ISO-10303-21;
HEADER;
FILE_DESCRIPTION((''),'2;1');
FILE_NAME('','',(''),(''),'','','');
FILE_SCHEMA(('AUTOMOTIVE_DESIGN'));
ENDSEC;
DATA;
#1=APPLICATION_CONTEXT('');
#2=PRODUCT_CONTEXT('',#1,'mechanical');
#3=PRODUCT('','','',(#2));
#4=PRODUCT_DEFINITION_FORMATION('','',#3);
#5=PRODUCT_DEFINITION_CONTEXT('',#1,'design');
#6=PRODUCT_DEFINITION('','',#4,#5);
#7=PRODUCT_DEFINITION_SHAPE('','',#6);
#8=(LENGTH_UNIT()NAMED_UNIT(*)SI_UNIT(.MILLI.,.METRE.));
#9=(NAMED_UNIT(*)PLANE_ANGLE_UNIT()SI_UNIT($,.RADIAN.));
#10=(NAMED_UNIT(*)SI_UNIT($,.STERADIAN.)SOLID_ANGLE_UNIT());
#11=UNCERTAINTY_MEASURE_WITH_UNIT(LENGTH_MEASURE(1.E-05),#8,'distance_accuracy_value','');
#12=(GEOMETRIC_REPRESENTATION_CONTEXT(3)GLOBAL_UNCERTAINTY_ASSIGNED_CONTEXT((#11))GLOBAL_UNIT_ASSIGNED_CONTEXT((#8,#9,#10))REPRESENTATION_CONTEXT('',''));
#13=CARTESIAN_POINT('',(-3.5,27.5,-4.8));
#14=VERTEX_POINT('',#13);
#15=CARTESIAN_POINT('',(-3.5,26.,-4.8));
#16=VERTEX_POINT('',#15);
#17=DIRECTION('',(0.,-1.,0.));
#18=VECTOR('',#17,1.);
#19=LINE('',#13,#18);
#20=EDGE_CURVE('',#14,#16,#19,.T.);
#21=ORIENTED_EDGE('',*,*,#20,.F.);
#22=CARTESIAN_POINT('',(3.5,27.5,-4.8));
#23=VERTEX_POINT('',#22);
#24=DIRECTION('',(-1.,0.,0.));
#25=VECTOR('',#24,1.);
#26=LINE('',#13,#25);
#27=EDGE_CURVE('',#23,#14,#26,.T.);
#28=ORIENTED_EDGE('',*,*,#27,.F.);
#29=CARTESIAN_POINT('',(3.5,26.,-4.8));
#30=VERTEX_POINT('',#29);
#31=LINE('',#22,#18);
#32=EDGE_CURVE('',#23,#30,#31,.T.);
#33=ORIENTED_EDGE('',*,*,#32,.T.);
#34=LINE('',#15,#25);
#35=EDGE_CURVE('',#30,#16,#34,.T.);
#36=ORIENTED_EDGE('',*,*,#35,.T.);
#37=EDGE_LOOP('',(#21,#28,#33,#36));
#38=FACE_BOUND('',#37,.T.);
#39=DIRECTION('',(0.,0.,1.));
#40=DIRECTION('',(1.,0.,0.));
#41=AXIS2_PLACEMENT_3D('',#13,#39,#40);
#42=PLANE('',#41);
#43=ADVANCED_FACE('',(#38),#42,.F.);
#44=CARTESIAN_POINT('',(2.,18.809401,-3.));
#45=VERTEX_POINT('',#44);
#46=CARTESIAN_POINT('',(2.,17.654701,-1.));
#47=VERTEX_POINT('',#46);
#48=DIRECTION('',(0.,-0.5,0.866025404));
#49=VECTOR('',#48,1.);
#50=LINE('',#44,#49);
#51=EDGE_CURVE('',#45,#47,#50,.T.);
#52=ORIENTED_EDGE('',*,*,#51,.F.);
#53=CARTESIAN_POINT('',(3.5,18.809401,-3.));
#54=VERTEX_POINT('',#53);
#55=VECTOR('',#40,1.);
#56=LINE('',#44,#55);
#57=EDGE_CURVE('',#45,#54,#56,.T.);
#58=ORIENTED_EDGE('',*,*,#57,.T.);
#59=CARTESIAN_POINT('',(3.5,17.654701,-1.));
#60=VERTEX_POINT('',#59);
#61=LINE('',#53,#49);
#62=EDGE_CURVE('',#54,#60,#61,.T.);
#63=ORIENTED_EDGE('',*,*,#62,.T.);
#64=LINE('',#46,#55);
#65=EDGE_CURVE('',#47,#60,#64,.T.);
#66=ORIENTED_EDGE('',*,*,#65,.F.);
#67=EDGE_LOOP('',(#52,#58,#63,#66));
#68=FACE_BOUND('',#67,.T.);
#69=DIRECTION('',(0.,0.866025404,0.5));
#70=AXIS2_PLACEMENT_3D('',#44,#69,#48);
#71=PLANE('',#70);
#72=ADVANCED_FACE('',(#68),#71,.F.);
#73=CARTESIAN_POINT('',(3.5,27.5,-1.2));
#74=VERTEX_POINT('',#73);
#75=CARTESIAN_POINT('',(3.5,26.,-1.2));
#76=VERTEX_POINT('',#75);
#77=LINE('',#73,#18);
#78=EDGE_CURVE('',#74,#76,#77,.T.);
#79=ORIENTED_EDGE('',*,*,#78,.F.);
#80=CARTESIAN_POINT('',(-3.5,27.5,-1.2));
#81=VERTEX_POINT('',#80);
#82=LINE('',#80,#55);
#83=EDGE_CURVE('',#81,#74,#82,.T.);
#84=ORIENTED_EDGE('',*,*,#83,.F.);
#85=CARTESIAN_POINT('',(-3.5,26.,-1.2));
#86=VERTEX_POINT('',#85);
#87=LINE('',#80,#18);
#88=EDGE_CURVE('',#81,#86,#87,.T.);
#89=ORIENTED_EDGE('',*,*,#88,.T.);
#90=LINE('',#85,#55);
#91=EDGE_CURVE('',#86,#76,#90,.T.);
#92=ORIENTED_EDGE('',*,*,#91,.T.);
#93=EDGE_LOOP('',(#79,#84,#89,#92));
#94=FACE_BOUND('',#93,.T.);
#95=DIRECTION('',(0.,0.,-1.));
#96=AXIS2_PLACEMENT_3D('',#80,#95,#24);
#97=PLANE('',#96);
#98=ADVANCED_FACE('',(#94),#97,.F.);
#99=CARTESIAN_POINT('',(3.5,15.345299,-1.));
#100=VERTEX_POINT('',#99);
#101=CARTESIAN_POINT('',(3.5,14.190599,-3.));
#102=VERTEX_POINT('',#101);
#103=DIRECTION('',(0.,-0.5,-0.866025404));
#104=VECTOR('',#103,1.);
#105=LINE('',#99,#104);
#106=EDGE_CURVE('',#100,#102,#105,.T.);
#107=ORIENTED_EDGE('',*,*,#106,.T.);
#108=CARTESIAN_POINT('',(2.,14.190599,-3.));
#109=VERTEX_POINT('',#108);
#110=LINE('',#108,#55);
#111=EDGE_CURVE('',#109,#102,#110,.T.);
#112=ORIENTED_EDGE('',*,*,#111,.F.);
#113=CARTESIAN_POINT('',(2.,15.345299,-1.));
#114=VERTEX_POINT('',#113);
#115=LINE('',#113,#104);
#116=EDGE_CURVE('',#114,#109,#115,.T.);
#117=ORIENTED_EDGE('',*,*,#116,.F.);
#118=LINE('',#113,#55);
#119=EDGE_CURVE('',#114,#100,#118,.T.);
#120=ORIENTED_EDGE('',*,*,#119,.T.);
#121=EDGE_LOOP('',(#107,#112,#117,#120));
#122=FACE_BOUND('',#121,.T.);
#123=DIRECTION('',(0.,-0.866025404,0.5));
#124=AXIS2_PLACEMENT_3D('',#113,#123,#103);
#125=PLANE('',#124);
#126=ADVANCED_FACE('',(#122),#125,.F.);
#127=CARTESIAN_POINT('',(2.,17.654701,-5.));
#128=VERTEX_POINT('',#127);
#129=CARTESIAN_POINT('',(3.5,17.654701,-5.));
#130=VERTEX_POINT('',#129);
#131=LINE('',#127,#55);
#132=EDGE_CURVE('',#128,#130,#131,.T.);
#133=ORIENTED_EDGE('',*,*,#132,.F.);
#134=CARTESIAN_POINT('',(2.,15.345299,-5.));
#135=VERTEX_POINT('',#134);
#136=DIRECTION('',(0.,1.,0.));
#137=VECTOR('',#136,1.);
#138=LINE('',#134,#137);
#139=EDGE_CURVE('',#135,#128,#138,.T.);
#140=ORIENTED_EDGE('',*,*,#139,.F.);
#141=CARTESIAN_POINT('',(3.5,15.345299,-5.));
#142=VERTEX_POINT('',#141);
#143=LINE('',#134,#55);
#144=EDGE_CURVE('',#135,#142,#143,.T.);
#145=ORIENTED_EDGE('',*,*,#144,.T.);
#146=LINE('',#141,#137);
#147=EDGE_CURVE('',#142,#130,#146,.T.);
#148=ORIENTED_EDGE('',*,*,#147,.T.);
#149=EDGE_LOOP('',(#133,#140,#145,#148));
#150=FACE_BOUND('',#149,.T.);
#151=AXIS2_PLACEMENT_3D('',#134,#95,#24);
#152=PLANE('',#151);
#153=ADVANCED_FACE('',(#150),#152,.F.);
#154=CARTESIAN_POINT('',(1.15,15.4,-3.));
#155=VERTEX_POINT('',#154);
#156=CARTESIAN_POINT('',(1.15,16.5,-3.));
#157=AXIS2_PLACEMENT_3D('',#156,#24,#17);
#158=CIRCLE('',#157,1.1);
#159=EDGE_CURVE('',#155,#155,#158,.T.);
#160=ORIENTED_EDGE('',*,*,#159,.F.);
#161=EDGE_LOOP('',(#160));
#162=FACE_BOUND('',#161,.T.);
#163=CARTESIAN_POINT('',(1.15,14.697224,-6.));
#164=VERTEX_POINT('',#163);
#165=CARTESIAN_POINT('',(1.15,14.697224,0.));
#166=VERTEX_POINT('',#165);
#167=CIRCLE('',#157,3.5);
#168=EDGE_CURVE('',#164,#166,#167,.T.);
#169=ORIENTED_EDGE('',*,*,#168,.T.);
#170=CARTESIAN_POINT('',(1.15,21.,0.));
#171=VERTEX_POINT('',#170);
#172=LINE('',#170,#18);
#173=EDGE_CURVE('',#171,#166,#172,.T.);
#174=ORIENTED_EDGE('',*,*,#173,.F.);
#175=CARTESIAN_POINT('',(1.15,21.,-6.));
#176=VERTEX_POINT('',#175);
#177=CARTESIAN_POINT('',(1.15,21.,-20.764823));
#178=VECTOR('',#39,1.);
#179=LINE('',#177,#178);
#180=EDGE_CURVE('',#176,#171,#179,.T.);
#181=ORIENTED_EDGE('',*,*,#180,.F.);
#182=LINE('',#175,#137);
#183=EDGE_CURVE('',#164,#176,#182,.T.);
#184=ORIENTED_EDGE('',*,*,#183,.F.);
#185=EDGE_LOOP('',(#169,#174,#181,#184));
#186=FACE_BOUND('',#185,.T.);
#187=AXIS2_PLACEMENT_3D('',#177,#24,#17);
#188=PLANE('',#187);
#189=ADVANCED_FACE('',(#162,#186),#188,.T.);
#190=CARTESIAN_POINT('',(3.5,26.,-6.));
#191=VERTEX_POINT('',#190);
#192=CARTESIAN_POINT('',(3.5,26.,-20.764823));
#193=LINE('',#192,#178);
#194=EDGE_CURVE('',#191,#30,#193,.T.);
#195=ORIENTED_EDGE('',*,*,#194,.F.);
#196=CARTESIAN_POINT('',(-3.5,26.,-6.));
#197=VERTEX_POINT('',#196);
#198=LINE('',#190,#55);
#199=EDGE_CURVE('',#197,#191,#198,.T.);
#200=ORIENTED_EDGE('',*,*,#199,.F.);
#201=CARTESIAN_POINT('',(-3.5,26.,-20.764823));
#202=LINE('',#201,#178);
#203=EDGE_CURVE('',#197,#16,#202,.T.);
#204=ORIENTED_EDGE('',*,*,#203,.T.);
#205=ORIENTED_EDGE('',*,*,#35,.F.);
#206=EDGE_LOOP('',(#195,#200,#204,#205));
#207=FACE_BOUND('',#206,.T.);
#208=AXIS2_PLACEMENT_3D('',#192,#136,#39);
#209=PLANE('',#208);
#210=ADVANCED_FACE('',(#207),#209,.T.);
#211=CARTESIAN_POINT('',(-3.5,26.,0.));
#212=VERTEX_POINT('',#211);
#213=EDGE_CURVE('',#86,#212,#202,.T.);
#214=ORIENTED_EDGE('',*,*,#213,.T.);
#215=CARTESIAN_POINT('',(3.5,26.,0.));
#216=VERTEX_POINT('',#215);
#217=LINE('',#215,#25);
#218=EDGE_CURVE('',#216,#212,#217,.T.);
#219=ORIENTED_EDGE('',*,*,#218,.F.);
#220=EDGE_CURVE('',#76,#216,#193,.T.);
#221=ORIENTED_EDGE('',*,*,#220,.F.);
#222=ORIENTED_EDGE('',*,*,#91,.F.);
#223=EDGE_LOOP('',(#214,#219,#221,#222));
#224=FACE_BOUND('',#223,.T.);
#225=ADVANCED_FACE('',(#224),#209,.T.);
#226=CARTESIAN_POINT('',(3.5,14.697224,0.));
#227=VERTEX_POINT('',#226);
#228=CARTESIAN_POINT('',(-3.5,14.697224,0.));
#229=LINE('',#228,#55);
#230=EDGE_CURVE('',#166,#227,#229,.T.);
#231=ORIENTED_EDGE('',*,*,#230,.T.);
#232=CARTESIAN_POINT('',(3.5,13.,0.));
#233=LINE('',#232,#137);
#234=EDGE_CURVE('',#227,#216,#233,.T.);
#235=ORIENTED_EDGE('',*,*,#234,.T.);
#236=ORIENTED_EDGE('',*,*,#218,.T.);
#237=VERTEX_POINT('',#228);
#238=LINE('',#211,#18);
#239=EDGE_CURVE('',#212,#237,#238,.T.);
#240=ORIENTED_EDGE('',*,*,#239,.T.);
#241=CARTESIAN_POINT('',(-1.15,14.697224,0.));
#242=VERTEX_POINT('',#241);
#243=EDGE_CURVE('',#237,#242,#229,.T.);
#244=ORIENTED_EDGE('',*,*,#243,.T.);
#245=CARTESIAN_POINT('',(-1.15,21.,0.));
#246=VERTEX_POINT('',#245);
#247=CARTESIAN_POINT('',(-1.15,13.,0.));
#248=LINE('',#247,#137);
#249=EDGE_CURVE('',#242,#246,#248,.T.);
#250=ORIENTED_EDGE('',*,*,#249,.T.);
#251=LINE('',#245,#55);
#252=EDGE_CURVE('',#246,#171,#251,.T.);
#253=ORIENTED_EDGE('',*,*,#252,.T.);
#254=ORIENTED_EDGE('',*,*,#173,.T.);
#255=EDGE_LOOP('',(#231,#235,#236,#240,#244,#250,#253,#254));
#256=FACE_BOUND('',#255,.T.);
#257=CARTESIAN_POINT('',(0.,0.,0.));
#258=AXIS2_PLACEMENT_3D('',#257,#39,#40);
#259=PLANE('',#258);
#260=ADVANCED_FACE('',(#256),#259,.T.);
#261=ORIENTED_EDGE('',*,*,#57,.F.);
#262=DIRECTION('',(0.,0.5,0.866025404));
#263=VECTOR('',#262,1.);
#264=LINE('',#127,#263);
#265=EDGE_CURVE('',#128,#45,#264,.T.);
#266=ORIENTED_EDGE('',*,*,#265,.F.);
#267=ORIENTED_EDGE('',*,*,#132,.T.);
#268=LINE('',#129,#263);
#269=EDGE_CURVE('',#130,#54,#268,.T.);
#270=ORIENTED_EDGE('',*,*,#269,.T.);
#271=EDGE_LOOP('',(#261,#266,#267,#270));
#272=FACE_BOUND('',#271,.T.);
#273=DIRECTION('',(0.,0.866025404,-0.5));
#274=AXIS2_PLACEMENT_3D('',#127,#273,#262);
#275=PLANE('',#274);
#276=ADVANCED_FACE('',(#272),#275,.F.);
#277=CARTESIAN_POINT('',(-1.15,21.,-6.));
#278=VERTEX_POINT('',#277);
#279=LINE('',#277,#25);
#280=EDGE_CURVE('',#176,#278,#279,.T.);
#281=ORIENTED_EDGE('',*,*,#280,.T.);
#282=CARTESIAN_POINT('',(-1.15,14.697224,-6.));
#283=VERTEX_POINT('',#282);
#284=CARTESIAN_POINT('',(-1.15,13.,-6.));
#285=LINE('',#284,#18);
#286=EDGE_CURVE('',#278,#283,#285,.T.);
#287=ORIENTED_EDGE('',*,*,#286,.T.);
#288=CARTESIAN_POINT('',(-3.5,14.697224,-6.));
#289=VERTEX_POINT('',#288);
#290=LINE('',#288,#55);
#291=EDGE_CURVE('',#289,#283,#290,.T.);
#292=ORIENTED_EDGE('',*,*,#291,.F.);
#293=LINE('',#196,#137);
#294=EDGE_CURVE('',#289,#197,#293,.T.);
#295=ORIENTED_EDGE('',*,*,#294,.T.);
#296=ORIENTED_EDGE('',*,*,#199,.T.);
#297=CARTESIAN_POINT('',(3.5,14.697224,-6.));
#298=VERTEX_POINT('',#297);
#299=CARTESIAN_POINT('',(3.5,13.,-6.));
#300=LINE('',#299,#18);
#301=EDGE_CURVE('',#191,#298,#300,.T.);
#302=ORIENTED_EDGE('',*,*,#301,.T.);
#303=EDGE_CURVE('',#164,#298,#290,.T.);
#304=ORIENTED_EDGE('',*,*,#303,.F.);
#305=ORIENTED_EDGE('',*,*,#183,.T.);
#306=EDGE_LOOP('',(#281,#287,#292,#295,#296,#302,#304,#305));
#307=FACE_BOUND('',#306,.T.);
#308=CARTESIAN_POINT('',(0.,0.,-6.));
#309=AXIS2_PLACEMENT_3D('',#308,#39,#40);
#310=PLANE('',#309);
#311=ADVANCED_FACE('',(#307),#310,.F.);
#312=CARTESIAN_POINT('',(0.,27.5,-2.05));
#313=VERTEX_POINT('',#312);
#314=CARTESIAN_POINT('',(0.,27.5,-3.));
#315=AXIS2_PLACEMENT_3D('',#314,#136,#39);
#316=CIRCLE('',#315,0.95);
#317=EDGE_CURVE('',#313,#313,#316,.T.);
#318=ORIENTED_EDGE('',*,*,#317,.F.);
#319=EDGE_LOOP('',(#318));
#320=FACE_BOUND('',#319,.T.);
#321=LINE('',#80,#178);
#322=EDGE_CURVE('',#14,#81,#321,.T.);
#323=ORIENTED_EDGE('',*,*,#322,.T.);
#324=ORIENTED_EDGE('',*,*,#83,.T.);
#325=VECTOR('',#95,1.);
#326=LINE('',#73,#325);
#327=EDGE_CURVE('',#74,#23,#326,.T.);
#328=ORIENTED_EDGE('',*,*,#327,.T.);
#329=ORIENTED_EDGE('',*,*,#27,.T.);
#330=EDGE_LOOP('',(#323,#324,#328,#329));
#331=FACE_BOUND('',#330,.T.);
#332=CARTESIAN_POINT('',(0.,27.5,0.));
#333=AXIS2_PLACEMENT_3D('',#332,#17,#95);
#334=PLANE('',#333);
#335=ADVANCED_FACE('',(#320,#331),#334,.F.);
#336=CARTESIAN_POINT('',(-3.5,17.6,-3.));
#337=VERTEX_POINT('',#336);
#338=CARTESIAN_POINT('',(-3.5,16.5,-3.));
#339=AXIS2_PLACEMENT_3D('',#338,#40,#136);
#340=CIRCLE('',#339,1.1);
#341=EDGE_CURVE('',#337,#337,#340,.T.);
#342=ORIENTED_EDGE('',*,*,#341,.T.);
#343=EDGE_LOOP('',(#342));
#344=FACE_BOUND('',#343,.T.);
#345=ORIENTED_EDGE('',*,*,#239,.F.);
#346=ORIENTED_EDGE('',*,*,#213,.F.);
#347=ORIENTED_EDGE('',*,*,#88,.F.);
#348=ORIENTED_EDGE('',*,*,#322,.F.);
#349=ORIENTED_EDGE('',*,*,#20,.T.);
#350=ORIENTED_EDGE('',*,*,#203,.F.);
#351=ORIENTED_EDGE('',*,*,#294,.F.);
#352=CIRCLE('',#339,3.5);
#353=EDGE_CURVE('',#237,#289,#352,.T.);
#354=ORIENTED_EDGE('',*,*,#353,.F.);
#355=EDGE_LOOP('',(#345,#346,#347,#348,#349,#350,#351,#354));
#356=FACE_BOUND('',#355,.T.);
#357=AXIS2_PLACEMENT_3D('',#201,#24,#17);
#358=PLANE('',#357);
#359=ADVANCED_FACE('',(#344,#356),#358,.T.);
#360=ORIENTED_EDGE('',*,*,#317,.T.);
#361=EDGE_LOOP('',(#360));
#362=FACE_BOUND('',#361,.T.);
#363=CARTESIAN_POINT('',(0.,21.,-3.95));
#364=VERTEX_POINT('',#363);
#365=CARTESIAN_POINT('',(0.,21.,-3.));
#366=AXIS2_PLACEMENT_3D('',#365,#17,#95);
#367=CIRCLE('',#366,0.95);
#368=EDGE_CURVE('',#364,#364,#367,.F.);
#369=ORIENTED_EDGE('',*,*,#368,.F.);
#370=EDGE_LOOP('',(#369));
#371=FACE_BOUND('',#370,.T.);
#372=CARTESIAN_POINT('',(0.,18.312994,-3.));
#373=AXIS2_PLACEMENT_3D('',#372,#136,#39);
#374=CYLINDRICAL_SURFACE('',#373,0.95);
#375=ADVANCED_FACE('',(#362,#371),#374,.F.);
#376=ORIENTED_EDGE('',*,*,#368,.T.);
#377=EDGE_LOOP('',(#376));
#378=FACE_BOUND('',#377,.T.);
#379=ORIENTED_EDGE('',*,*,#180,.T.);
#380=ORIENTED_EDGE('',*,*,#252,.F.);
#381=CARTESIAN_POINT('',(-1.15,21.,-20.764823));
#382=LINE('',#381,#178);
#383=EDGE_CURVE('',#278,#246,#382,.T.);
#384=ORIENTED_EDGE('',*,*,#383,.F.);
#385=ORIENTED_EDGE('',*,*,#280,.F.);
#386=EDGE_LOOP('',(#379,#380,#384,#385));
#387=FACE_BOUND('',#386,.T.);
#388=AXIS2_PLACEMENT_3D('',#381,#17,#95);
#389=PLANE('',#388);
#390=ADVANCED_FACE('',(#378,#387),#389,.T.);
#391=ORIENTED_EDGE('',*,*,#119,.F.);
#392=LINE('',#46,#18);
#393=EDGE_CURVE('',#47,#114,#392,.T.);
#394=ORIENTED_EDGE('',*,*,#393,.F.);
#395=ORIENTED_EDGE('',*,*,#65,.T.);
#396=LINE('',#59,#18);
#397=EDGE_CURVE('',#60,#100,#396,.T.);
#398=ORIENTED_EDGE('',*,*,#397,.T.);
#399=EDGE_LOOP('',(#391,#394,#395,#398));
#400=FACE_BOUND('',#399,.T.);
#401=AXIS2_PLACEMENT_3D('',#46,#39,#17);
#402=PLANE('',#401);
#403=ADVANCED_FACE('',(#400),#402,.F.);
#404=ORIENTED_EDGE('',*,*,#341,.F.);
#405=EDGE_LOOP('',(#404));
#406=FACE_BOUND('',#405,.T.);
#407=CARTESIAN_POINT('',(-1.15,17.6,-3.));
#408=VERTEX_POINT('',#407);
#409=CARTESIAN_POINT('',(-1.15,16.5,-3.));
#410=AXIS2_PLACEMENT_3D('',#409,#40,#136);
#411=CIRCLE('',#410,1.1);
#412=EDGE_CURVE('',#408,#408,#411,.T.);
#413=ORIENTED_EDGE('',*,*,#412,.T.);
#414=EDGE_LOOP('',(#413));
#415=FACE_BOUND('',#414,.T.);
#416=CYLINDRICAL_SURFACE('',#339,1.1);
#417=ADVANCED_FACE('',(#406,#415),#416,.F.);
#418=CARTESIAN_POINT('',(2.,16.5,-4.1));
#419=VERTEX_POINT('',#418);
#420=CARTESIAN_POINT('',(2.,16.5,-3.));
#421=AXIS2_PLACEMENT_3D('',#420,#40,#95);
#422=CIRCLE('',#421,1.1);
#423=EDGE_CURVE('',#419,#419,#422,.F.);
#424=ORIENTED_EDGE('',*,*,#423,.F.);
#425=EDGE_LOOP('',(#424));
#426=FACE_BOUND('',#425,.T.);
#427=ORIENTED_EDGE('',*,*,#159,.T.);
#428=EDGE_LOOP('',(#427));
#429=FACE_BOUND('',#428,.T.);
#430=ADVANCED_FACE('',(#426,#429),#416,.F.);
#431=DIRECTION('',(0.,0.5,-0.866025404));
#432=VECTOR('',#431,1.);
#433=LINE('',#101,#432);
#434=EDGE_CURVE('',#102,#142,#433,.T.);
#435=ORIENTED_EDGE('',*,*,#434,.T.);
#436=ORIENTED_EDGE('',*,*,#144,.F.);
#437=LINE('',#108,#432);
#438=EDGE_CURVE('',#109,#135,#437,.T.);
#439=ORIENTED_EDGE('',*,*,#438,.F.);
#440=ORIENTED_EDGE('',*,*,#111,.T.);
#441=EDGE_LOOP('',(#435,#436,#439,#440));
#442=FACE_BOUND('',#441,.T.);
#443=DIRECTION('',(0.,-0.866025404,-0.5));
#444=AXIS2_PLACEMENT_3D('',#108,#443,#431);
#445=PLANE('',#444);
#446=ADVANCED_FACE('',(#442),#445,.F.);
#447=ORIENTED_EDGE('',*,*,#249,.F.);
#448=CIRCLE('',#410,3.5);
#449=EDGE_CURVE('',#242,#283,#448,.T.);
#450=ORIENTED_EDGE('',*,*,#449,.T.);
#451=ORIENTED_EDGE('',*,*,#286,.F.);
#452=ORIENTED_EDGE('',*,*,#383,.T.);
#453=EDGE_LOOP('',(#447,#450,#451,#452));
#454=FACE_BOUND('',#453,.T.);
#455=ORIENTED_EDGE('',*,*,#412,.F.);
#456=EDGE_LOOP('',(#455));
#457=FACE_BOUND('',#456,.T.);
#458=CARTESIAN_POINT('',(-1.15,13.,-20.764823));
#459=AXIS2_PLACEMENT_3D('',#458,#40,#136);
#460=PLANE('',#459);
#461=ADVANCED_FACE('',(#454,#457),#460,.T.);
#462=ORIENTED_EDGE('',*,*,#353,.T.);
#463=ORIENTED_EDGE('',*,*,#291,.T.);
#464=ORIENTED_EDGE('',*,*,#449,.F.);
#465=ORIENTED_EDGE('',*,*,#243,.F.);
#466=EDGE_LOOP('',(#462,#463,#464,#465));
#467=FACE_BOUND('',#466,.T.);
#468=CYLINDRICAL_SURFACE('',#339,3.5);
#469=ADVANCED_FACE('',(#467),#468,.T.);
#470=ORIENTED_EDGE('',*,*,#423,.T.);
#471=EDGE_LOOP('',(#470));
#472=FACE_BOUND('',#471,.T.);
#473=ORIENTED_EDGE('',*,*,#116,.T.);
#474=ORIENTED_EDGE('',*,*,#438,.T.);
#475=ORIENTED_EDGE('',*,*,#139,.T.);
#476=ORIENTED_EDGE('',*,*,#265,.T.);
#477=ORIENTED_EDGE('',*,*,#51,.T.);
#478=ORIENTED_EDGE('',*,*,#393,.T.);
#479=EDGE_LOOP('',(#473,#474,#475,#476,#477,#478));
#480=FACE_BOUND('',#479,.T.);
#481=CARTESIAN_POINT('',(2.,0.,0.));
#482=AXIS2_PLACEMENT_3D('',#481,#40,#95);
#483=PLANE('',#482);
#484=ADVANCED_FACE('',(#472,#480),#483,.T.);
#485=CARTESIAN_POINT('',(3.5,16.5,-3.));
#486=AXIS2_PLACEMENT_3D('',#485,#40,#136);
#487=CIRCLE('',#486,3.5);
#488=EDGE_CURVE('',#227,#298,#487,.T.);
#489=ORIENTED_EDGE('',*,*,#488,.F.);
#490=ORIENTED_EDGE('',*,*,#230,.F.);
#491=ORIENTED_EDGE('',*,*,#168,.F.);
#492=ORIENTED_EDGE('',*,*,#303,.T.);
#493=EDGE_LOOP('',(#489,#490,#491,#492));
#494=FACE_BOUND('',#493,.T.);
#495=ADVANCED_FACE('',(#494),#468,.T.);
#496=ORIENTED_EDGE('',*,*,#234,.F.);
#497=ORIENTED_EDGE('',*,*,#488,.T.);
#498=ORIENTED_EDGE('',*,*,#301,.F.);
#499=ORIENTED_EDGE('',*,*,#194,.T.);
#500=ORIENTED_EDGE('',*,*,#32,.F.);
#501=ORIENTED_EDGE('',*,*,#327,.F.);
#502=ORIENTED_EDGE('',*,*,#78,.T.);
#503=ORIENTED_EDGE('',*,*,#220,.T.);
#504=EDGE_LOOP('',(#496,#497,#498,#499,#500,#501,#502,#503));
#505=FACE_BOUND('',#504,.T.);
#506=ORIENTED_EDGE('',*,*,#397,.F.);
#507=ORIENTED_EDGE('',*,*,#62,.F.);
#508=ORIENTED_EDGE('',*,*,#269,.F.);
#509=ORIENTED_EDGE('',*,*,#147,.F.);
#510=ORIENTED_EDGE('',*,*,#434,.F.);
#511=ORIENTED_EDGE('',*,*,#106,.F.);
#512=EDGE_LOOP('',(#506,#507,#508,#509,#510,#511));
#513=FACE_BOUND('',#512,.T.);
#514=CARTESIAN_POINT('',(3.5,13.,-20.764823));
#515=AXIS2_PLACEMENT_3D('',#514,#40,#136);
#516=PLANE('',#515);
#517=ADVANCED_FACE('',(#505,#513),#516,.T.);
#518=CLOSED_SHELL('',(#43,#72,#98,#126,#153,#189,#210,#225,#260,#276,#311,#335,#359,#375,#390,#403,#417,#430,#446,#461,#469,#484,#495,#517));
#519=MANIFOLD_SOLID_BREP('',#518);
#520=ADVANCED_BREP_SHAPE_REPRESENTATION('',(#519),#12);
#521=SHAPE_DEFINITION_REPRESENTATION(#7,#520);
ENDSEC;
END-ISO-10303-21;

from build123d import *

# Parameters (mm, degrees)
BOSS_EXTRUDE1_DEPTH = 6
SKETCH2_R           = 1.1
CUT_EXTRUDE1_DEPTH  = 28.586228448
CUT_EXTRUDE2_DEPTH  = 1.5
SKETCH4_W           = 7
SKETCH4_H           = 3.6
BOSS_EXTRUDE2_DEPTH = 1.5
SKETCH5_R           = 0.95
CUT_EXTRUDE3_DEPTH  = 6.5


with BuildPart() as part:
    # Sketch1 → Boss-Extrude1 (new body)
    with BuildSketch(Plane.XY):
        Polygon((-1.15, 13), (-1.15, 21), (1.15, 21), (1.15, 13), (3.5, 13), (3.5, 26), (-3.5, 26), (-3.5, 13), align=None)
    extrude(amount=-BOSS_EXTRUDE1_DEPTH)

    # Sketch2 → Cut-Extrude1 (cut, through all)
    with BuildSketch(Plane(origin=(3.5, 0, 0), x_dir=(0, 0, -1), z_dir=(1, 0, 0))):
        with Locations(Location((3, 16.5, 0), (0, 0, 90))):
            Circle(SKETCH2_R)
        with BuildLine():
            ThreePointArc((3.000000016, 13), (1.276589831, 13.453714165), (0, 14.697224362))
            Line((0, 14.697224362), (0, 13))
            Line((0, 13), (3.000000016, 13))
        make_face()
        with BuildLine():
            ThreePointArc((6, 14.697224362), (4.723410183, 13.453714173), (3.000000016, 13))
            Line((3.000000016, 13), (6, 13))
            Line((6, 13), (6, 14.697224362))
        make_face()
    extrude(amount=-CUT_EXTRUDE1_DEPTH, mode=Mode.SUBTRACT)

    # Sketch3 → Cut-Extrude2 (cut)
    with BuildSketch(Plane(origin=(3.5, 0, 0), x_dir=(0, 0, -1), z_dir=(1, 0, 0))):
        Polygon((3, 18.809401077), (1, 17.654700538), (1, 15.345299462), (3, 14.190598923), (5, 15.345299462), (5, 17.654700538), align=None)
    extrude(amount=-CUT_EXTRUDE2_DEPTH, mode=Mode.SUBTRACT)

    # Sketch4 → Boss-Extrude2 (add)
    with BuildSketch(Plane(origin=(0, 26, 0), x_dir=(1, 0, 0), z_dir=(0, 1, 0))):
        with Locations((0, 3)):
            Rectangle(SKETCH4_W, SKETCH4_H)
    extrude(amount=BOSS_EXTRUDE2_DEPTH)

    # Sketch5 → Cut-Extrude3 (cut)
    with BuildSketch(Plane(origin=(0, 27.5, 0), x_dir=(1, 0, 0), z_dir=(0, 1, 0))):
        with Locations(Location((0, 3, 0), (0, 0, 270))):
            Circle(SKETCH5_R)
    extrude(amount=-CUT_EXTRUDE3_DEPTH, mode=Mode.SUBTRACT)


solid = part.part
